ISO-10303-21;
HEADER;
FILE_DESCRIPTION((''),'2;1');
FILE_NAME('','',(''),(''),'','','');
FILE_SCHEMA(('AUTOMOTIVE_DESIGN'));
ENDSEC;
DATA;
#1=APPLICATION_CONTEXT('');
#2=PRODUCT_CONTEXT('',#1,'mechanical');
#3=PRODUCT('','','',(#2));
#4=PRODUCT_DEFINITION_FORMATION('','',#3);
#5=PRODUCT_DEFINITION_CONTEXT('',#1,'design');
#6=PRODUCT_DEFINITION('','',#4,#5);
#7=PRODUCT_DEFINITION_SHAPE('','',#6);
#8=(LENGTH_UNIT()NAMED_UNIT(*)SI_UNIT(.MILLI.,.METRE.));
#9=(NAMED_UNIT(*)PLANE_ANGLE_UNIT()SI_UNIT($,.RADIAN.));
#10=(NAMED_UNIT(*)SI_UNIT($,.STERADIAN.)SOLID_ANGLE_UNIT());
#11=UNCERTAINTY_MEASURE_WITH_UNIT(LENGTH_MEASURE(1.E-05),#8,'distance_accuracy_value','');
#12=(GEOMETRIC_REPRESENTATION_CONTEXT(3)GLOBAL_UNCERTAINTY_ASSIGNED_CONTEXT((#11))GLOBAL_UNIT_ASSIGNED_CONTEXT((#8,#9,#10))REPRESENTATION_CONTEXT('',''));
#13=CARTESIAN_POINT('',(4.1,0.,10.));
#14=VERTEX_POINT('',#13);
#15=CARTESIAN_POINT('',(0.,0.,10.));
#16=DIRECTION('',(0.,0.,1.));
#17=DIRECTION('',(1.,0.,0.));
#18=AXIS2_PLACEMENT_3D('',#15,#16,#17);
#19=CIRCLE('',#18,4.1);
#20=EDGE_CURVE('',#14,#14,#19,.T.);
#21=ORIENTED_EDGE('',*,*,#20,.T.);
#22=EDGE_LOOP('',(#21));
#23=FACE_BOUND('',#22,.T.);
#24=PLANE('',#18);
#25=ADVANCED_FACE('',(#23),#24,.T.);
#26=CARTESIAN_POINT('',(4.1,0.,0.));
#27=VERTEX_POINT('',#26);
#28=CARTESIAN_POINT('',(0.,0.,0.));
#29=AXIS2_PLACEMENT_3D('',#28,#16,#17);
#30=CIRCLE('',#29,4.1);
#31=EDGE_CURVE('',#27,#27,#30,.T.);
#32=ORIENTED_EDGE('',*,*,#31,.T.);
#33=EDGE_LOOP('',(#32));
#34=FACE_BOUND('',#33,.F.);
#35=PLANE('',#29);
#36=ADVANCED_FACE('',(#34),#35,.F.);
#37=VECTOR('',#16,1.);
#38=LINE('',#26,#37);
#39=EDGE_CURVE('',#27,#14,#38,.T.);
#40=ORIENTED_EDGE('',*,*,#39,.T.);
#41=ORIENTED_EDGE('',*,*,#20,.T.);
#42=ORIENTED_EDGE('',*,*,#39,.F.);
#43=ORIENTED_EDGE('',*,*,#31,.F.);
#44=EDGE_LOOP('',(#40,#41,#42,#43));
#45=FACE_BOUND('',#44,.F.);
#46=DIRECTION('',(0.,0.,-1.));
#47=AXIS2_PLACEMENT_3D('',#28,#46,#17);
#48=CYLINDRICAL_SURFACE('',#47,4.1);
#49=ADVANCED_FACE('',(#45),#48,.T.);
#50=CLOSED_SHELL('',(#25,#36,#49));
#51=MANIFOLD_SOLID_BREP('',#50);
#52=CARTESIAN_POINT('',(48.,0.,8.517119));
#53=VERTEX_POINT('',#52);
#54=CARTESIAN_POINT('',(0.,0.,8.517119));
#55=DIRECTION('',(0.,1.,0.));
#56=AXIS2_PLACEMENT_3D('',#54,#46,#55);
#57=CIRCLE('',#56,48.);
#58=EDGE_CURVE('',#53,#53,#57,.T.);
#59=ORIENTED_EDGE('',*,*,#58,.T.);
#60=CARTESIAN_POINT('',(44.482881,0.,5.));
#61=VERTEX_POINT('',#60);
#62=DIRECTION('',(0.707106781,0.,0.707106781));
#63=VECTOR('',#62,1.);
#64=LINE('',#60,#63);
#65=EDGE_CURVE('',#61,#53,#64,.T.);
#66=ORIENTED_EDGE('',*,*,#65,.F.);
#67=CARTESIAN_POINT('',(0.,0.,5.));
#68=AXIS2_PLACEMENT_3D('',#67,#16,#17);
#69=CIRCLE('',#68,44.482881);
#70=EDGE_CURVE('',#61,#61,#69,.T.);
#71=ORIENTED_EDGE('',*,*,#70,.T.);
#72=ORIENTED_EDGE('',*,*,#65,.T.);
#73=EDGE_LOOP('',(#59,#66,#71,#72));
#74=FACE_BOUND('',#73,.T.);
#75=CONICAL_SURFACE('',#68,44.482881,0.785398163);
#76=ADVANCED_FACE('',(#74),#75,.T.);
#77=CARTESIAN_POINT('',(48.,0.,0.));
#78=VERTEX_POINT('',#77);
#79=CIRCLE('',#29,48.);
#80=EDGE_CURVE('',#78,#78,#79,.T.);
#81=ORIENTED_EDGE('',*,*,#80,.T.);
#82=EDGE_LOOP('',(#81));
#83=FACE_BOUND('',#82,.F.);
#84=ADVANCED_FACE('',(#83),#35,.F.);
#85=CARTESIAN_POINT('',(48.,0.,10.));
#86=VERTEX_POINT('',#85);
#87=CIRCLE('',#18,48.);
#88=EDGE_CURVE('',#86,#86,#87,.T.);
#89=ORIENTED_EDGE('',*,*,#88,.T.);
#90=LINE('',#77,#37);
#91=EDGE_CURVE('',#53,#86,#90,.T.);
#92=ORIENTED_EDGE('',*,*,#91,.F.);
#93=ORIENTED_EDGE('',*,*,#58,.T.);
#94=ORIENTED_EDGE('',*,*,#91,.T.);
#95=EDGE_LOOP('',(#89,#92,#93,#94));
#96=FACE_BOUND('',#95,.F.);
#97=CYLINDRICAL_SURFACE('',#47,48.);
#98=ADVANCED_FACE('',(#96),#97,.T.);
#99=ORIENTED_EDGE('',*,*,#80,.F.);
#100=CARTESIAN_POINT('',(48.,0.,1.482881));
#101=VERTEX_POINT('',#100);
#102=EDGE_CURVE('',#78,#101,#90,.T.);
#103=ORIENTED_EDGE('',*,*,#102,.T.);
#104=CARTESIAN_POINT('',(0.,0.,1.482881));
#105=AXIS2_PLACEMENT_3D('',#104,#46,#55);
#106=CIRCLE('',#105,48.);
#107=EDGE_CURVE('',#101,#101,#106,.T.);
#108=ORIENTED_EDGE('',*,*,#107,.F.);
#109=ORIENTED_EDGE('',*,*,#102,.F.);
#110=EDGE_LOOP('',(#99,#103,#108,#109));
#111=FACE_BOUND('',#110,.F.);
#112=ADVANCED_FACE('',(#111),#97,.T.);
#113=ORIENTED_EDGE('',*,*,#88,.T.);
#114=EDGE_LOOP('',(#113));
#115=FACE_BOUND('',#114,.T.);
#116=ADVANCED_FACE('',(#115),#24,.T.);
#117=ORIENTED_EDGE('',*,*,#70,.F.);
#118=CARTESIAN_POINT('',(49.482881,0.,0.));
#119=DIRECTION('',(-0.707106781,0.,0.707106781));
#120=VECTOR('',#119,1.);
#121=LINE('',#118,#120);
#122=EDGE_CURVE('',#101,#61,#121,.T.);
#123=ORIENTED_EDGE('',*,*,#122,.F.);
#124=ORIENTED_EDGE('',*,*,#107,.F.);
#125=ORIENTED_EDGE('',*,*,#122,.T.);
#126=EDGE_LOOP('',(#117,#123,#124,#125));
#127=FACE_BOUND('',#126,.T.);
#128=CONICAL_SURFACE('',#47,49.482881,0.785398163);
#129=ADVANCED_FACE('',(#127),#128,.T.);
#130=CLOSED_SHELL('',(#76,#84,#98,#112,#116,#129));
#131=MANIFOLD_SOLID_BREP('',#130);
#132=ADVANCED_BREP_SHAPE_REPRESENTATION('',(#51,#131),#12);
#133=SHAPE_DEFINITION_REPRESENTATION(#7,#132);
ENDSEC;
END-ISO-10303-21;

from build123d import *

# Parameters (mm, degrees)
CYLINDER001_R     = 4.1
CYLINDER001_DEPTH = 10
CYLINDER_R        = 48
CYLINDER_DEPTH    = 10


with BuildPart() as cylinder001:
    # Cylinder001 → Cylinder001 (new body)
    with BuildSketch(Plane.XY):
        Circle(CYLINDER001_R)
    extrude(amount=CYLINDER001_DEPTH)


with BuildPart() as revolution:
    # Sketch → Revolution (revolve)
    with BuildSketch(Plane.XZ):
        Polygon((44.482881, 5), (49.482881, 10), (49.482881, 0), align=None)
    revolve(axis=Axis((0, 0, 0), (0, 0, 1)))


with BuildPart() as cut:
    # Cylinder → Cylinder (new body)
    with BuildSketch(Plane.XY):
        Circle(CYLINDER_R)
    extrude(amount=CYLINDER_DEPTH)

    # Cut: cut Revolution
    add(revolution.part, mode=Mode.SUBTRACT)


solid = Compound([cylinder001.part, cut.part])
